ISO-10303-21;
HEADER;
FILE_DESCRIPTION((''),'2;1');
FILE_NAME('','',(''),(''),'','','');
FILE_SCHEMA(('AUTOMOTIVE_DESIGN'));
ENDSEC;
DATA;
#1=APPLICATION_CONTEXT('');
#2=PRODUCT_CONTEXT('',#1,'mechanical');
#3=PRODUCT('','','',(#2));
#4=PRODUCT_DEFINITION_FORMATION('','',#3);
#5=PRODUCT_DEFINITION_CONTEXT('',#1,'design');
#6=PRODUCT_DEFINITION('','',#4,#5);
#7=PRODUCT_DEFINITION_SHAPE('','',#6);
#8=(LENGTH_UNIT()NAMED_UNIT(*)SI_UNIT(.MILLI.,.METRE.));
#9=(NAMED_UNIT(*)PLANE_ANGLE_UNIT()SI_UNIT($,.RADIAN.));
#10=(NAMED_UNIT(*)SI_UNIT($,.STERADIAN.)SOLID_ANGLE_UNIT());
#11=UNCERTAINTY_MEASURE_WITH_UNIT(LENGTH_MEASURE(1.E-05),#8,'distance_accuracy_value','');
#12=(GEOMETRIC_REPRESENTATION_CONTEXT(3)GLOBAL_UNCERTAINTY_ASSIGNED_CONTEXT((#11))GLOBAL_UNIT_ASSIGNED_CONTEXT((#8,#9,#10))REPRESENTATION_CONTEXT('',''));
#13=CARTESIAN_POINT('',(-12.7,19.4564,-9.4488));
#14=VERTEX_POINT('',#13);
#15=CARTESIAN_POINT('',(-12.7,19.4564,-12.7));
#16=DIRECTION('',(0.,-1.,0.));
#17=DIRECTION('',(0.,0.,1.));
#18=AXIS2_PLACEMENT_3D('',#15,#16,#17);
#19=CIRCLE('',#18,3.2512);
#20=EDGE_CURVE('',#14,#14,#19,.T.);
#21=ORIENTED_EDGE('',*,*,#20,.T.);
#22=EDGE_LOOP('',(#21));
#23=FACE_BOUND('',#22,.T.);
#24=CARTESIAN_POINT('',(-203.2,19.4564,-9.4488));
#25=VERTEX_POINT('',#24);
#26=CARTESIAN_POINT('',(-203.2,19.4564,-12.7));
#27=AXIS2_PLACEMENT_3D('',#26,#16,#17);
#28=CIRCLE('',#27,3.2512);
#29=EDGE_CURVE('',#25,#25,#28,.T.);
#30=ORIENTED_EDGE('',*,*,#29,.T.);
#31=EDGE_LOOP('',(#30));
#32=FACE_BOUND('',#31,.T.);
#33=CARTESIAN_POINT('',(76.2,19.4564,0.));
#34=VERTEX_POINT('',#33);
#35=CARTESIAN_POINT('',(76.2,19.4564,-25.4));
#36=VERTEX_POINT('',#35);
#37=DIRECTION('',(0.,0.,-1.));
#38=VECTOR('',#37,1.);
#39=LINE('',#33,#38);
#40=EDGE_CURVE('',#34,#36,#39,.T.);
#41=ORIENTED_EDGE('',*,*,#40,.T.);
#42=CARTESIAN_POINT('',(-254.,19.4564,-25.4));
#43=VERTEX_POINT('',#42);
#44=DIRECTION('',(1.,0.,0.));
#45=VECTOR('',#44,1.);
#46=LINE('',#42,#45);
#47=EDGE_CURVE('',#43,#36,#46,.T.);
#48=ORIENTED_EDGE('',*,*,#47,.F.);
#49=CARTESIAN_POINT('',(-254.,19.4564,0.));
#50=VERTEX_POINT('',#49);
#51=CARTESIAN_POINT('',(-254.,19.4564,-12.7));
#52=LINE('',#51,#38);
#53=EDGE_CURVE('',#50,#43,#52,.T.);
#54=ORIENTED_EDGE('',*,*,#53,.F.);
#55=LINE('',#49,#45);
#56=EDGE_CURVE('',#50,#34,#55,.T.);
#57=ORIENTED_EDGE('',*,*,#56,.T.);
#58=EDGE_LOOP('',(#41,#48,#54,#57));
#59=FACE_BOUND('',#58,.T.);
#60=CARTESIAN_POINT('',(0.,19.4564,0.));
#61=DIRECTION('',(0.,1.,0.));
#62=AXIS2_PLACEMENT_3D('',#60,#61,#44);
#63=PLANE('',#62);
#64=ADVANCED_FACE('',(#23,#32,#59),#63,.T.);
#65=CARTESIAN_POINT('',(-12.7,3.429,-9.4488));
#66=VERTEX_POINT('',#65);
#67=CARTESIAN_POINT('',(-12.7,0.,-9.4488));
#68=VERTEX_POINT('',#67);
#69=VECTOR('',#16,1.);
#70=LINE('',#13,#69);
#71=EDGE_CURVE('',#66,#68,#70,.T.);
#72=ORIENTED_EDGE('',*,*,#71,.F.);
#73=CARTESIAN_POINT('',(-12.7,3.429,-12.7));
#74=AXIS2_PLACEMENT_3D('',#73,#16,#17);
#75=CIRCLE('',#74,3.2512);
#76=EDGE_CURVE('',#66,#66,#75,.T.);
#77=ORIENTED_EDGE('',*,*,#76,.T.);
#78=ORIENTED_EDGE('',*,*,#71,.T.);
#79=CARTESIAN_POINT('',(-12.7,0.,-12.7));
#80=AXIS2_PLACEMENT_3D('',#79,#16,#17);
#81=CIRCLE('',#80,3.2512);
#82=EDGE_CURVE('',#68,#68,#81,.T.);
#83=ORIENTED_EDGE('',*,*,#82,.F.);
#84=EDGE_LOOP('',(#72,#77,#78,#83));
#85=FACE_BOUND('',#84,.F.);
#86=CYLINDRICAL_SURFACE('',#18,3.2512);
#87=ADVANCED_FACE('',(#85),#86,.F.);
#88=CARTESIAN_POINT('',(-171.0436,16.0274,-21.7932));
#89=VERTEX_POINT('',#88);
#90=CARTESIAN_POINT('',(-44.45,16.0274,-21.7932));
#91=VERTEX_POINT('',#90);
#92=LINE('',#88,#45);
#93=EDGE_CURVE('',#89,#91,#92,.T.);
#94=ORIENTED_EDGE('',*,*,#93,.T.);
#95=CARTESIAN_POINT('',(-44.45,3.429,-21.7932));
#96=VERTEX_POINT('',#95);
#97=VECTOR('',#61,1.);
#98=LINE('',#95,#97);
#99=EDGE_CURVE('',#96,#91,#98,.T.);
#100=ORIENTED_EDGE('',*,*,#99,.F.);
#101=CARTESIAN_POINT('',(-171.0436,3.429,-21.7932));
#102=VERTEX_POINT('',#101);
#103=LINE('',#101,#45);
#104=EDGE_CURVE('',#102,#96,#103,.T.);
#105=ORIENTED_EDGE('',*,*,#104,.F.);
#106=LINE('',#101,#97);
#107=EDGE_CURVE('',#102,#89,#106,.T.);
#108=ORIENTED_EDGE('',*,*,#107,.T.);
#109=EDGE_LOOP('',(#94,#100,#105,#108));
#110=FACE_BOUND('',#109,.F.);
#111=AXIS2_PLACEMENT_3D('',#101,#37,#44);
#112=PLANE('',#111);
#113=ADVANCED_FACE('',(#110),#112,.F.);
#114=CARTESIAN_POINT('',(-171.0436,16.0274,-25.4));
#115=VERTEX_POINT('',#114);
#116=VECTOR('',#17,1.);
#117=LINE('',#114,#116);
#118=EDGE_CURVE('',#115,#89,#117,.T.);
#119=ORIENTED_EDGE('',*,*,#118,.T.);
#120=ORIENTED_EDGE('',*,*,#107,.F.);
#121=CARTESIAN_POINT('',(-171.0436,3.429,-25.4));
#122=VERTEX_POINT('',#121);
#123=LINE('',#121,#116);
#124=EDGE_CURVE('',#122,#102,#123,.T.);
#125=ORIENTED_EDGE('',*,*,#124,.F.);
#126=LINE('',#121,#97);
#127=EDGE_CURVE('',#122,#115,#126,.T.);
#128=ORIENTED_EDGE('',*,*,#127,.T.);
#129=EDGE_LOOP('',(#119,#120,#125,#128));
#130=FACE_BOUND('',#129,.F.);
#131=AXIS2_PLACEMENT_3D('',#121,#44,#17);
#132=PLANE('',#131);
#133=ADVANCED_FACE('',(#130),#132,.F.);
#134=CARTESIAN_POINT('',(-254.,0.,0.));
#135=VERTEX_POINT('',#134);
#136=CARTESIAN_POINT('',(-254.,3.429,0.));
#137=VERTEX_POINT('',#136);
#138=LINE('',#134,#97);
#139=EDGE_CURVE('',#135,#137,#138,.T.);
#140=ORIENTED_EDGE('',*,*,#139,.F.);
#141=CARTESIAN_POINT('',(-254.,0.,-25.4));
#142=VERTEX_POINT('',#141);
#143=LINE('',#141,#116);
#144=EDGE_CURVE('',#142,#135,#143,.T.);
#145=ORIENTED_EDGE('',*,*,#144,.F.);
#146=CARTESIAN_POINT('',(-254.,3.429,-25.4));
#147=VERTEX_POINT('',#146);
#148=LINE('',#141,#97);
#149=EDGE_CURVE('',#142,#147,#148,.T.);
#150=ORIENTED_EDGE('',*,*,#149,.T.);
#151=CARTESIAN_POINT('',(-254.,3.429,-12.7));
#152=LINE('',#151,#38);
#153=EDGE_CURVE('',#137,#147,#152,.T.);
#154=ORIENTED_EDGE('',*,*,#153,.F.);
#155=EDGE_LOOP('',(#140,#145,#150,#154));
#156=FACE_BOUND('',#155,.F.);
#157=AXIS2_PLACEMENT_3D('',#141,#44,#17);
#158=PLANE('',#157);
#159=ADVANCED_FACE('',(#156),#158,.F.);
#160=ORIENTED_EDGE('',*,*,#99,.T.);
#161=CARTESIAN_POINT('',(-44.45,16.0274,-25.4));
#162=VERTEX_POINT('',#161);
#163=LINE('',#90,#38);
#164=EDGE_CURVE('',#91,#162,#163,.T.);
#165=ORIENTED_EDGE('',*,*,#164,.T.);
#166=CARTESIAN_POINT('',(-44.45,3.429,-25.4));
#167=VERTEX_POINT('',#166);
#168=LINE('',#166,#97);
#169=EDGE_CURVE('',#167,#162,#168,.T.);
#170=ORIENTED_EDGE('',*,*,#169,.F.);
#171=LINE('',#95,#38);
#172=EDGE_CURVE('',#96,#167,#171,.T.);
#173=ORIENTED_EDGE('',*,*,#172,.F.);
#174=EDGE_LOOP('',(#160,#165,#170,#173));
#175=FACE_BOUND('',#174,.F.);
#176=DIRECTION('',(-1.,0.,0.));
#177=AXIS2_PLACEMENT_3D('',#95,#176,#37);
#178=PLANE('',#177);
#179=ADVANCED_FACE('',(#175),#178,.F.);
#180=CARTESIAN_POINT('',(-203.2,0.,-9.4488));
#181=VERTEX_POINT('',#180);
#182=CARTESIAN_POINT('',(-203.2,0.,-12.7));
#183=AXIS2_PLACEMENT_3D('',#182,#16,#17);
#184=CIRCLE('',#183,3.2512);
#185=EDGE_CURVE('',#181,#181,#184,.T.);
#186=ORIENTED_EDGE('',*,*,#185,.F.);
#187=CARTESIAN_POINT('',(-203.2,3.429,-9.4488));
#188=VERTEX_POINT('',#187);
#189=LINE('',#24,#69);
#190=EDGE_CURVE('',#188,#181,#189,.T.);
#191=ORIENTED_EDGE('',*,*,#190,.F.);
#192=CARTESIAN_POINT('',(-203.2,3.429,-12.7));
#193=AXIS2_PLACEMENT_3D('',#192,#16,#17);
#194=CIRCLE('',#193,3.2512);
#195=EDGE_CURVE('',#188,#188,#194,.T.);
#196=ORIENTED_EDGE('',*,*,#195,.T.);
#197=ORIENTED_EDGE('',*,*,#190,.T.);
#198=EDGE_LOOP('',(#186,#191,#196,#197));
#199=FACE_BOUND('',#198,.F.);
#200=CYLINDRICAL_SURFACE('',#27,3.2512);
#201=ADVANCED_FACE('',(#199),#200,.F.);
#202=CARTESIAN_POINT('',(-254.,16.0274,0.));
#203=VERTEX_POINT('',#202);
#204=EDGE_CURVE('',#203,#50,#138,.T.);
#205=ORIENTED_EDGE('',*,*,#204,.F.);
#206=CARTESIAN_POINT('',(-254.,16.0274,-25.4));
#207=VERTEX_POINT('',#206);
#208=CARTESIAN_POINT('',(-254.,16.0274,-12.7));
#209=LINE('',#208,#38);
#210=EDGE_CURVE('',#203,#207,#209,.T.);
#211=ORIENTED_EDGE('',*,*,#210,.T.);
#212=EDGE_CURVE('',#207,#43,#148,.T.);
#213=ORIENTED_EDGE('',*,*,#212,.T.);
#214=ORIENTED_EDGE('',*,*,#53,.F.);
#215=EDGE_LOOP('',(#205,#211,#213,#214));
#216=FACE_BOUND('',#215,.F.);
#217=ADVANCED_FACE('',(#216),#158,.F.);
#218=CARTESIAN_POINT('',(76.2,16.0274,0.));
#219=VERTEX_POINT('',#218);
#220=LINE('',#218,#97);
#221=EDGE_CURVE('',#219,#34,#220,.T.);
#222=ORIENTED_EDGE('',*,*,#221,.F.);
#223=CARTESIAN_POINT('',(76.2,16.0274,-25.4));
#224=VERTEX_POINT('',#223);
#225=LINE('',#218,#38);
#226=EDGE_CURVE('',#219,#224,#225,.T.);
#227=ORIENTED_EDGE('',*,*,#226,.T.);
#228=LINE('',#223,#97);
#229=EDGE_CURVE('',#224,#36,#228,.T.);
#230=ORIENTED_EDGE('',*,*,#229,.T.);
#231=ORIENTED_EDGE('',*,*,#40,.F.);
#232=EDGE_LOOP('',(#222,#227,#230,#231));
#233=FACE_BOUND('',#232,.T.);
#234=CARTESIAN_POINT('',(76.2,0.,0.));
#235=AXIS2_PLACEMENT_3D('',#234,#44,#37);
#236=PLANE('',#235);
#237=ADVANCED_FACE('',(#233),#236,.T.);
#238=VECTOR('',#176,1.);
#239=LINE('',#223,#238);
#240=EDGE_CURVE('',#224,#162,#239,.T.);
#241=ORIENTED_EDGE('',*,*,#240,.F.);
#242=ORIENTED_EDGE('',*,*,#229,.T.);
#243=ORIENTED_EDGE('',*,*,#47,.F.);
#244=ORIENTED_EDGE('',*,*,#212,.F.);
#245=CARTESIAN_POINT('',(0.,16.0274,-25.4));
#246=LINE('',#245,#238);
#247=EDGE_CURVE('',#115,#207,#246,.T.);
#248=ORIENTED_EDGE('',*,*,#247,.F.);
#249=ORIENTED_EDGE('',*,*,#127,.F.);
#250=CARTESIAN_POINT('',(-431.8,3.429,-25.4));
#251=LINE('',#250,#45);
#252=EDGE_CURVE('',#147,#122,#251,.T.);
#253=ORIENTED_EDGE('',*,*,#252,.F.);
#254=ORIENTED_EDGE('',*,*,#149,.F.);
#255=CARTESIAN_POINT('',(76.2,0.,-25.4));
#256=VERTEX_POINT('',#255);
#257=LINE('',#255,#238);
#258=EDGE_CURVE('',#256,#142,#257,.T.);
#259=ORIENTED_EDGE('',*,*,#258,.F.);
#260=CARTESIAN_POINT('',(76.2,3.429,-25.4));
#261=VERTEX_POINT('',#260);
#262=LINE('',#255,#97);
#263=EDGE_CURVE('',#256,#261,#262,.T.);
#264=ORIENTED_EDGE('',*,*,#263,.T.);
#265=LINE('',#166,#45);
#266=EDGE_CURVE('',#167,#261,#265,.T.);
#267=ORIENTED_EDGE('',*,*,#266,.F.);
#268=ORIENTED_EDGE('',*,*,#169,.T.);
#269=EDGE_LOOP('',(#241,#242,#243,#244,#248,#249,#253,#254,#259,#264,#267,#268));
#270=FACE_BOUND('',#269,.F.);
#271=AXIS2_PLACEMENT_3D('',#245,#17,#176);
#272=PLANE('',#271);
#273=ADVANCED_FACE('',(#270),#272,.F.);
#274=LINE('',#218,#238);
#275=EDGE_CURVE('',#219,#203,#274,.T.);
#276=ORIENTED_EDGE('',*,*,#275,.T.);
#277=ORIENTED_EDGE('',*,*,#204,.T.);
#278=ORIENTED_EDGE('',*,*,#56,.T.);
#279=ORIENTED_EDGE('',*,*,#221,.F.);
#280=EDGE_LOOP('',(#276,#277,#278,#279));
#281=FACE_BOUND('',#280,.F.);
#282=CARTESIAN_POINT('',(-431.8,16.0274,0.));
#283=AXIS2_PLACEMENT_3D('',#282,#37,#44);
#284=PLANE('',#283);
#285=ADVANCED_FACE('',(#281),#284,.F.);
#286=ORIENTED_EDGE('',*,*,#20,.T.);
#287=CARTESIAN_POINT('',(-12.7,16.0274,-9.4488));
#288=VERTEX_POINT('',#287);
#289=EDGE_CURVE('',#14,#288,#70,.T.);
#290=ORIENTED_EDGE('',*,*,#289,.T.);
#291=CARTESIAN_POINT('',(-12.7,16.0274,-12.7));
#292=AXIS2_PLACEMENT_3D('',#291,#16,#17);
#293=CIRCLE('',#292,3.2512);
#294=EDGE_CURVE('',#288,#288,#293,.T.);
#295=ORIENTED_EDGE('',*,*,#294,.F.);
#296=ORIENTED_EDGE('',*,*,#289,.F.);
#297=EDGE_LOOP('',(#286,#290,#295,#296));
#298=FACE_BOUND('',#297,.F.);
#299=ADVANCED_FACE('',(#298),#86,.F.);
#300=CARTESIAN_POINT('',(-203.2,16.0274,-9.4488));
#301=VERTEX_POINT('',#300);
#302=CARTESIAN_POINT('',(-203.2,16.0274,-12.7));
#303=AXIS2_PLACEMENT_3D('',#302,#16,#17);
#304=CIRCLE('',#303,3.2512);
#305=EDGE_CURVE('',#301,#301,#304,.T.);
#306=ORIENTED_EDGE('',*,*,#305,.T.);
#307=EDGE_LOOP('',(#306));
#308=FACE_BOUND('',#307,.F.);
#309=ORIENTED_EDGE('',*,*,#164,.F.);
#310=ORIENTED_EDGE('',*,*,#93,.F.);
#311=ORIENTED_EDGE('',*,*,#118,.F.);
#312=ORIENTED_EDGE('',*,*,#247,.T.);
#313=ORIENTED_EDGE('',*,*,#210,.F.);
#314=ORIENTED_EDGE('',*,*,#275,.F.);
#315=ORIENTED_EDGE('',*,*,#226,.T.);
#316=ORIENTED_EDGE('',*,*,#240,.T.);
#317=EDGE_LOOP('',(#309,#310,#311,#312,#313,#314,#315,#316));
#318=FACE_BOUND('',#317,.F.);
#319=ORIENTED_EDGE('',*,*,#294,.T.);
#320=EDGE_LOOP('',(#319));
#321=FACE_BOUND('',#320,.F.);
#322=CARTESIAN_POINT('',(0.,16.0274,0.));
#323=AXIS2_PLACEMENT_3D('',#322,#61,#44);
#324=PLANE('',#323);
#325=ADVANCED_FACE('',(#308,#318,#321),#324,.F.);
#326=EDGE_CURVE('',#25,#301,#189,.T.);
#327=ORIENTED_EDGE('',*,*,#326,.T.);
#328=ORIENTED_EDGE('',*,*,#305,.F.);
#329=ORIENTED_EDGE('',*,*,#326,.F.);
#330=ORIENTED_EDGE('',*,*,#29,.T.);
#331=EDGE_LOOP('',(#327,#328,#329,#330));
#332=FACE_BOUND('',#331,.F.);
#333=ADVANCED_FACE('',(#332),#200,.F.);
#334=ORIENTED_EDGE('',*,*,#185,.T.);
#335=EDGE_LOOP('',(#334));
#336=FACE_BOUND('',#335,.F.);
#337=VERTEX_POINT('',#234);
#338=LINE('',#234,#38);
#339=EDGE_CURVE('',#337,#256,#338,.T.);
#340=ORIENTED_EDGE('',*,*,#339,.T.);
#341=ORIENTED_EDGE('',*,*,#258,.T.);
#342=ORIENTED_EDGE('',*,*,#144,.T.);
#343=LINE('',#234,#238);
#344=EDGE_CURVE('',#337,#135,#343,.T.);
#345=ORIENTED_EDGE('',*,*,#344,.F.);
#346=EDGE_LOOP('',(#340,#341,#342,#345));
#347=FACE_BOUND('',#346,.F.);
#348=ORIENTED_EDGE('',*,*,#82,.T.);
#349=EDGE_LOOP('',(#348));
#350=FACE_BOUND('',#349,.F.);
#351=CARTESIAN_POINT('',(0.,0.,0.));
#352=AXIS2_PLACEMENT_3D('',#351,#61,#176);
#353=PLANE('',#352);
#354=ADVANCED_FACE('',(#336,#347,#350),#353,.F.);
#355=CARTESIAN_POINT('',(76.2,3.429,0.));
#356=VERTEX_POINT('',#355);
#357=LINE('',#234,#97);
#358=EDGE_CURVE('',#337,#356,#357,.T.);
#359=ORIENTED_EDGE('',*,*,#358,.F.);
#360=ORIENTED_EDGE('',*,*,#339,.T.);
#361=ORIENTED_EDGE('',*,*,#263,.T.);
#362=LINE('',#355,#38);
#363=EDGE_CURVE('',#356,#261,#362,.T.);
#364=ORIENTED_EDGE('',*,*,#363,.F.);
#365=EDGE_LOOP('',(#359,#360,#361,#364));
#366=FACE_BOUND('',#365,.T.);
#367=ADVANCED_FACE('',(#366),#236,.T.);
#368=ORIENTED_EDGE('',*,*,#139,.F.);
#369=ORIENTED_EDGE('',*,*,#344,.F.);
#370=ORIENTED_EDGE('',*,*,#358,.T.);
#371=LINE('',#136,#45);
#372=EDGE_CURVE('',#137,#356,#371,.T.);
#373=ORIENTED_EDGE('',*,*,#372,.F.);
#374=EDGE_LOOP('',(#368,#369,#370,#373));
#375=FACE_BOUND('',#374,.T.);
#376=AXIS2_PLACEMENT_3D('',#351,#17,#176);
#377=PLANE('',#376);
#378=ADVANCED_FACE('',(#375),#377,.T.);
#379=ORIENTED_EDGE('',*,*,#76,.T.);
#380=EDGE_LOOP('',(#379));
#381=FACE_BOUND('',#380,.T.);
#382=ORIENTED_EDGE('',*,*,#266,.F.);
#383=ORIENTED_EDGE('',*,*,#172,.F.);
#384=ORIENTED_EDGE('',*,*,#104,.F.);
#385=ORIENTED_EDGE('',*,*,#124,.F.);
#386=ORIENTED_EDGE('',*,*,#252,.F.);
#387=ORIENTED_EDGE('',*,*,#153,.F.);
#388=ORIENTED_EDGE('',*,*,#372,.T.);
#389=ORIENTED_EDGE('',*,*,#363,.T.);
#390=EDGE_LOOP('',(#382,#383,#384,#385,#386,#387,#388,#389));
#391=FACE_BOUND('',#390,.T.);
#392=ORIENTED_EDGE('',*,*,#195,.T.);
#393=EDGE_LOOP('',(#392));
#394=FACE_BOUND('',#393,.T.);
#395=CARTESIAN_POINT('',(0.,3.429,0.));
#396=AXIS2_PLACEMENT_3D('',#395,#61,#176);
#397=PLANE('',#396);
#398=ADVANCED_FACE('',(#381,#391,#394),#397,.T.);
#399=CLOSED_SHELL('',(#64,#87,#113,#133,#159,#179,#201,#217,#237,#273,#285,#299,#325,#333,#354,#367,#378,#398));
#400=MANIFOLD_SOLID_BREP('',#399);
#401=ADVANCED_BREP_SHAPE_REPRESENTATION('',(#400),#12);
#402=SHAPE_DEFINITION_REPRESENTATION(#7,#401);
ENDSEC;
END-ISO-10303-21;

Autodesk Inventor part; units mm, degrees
ref_plane "YZ Plane" through (0, 0, 0) normal (1, 0, 0) x (0, 1, 0)
ref_plane "XZ Plane" through (0, 0, 0) normal (0, 1, 0) x (-1, 0, 0)
ref_plane "XY Plane" through (0, 0, 0) normal (0, 0, 1) x (1, 0, 0)
sketch "Sketch1" plane through (0, 0, 0) normal (0, 1, 0) x (-1, 0, 0)
  line L0 (0, 0) -> (431.8, 0)
  line L1 (431.8, 0) -> (431.8, -25.4)
  line L2 (431.8, -25.4) -> (0, -25.4)
  line L3 (0, -25.4) -> (0, 0)
  dimension "d0" = 431.8
  dimension "d1" = 25.4
extrude "Extrusion1" add sketch "Sketch1" along normal blind 3.429
sketch "Sketch2" plane through (0, 3.429, 0) normal (0, 1, 0) x (1, 0, 0)
  line L0 (0, 25.4) -> (-431.8, 25.4) projected
  line L1 (-44.45, 25.4) -> (-171.0436, 25.4)
  line L2 (-171.0436, 25.4) -> (-171.0436, 21.7932)
  line L3 (-171.0436, 21.7932) -> (-44.45, 21.7932)
  line L4 (-44.45, 21.7932) -> (-44.45, 25.4)
  line L5 (0, 0) -> (0, 25.4) projected
  point P0 (-44.45, 23.5966)
  dimension "d4" = 126.5936
  dimension "d5" = 3.6068
  dimension "d6" = 44.45
extrude "Extrusion2" add sketch "Sketch2" along normal blind 12.5984
sketch "Sketch3" plane through (0, 16.0274, 0) normal (0, 1, 0) x (1, 0, 0)
  line L0 (-431.8, 0) -> (0, 0)
  line L1 (0, 0) -> (0, 25.4)
  line L2 (0, 25.4) -> (-431.8, 25.4)
  line L3 (-431.8, 25.4) -> (-431.8, 0)
extrude "Extrusion3" add sketch "Sketch3" along normal blind 3.429
sketch "Sketch4" plane through (0, 19.4564, 0) normal (0, 1, 0) x (1, 0, 0)
  line L0 (0, 25.4) -> (-431.8, 25.4) projected
  line L1 (0, 0) -> (0, 25.4) projected
  line L2 (-431.8, 25.4) -> (-431.8, 0) projected
  point P0 (-12.7, 12.7)
  point P1 (-419.1, 12.7)
  point P2 (-203.2, 12.7)
  dimension "d11" = 12.7
  dimension "d12" = 12.7
  dimension "d13" = 12.7
  dimension "d14" = 12.7
  dimension "d15" = 12.7
  dimension "d16" = 203.2
hole "Hole1" at (-12.7, 19.4564, -12.7) at (-203.2, 19.4564, -12.7) direction (0, -1, 0) diameter 6.5024 end through all
sketch "Sketch6" plane through (0, 0, 0) normal (0, -1, 0) x (1, 0, 0)
  circle A0 centre (-203.2, -12.7) radius 3.2512 projected
  circle A1 centre (-12.7, -12.7) radius 3.2512 projected
  line L0 (0, -25.4) -> (-431.8, -25.4) projected
  line L1 (0, 0) -> (0, -25.4) projected
  line L2 (-431.8, 0) -> (0, 0) projected
  line L3 (-431.8, -25.4) -> (-431.8, 0) projected
  line L4 (-431.8, -25.4) -> (-254, -25.4)
  line L5 (-254, -25.4) -> (-254, 0)
  line L6 (-254, 0) -> (-431.8, 0)
  line L7 (-431.8, 0) -> (-431.8, -25.4)
  dimension "d26" = 177.8
extrude "Extrusion5" cut sketch "Sketch6" against normal blind 76.2 contours L0 L3 L2 L5
sketch "Sketch7" plane through (0, 0, 0) normal (1, 0, 0) x (0, 0, -1)
  line L0 (0, 0) -> (25.4, 0) projected
  line L1 (25.4, 0) -> (25.4, 3.429) projected
  line L2 (0, 3.429) -> (25.4, 3.429) projected
  line L3 (0, 0) -> (0, 3.429) projected
  line L4 (0, 16.0274) -> (25.4, 16.0274) projected
  line L5 (25.4, 16.0274) -> (25.4, 19.4564) projected
  line L6 (0, 19.4564) -> (25.4, 19.4564) projected
  line L7 (0, 16.0274) -> (0, 19.4564) projected
extrude "Extrusion6" add sketch "Sketch7" along normal blind 76.2
properties part number "ArmPart2"
